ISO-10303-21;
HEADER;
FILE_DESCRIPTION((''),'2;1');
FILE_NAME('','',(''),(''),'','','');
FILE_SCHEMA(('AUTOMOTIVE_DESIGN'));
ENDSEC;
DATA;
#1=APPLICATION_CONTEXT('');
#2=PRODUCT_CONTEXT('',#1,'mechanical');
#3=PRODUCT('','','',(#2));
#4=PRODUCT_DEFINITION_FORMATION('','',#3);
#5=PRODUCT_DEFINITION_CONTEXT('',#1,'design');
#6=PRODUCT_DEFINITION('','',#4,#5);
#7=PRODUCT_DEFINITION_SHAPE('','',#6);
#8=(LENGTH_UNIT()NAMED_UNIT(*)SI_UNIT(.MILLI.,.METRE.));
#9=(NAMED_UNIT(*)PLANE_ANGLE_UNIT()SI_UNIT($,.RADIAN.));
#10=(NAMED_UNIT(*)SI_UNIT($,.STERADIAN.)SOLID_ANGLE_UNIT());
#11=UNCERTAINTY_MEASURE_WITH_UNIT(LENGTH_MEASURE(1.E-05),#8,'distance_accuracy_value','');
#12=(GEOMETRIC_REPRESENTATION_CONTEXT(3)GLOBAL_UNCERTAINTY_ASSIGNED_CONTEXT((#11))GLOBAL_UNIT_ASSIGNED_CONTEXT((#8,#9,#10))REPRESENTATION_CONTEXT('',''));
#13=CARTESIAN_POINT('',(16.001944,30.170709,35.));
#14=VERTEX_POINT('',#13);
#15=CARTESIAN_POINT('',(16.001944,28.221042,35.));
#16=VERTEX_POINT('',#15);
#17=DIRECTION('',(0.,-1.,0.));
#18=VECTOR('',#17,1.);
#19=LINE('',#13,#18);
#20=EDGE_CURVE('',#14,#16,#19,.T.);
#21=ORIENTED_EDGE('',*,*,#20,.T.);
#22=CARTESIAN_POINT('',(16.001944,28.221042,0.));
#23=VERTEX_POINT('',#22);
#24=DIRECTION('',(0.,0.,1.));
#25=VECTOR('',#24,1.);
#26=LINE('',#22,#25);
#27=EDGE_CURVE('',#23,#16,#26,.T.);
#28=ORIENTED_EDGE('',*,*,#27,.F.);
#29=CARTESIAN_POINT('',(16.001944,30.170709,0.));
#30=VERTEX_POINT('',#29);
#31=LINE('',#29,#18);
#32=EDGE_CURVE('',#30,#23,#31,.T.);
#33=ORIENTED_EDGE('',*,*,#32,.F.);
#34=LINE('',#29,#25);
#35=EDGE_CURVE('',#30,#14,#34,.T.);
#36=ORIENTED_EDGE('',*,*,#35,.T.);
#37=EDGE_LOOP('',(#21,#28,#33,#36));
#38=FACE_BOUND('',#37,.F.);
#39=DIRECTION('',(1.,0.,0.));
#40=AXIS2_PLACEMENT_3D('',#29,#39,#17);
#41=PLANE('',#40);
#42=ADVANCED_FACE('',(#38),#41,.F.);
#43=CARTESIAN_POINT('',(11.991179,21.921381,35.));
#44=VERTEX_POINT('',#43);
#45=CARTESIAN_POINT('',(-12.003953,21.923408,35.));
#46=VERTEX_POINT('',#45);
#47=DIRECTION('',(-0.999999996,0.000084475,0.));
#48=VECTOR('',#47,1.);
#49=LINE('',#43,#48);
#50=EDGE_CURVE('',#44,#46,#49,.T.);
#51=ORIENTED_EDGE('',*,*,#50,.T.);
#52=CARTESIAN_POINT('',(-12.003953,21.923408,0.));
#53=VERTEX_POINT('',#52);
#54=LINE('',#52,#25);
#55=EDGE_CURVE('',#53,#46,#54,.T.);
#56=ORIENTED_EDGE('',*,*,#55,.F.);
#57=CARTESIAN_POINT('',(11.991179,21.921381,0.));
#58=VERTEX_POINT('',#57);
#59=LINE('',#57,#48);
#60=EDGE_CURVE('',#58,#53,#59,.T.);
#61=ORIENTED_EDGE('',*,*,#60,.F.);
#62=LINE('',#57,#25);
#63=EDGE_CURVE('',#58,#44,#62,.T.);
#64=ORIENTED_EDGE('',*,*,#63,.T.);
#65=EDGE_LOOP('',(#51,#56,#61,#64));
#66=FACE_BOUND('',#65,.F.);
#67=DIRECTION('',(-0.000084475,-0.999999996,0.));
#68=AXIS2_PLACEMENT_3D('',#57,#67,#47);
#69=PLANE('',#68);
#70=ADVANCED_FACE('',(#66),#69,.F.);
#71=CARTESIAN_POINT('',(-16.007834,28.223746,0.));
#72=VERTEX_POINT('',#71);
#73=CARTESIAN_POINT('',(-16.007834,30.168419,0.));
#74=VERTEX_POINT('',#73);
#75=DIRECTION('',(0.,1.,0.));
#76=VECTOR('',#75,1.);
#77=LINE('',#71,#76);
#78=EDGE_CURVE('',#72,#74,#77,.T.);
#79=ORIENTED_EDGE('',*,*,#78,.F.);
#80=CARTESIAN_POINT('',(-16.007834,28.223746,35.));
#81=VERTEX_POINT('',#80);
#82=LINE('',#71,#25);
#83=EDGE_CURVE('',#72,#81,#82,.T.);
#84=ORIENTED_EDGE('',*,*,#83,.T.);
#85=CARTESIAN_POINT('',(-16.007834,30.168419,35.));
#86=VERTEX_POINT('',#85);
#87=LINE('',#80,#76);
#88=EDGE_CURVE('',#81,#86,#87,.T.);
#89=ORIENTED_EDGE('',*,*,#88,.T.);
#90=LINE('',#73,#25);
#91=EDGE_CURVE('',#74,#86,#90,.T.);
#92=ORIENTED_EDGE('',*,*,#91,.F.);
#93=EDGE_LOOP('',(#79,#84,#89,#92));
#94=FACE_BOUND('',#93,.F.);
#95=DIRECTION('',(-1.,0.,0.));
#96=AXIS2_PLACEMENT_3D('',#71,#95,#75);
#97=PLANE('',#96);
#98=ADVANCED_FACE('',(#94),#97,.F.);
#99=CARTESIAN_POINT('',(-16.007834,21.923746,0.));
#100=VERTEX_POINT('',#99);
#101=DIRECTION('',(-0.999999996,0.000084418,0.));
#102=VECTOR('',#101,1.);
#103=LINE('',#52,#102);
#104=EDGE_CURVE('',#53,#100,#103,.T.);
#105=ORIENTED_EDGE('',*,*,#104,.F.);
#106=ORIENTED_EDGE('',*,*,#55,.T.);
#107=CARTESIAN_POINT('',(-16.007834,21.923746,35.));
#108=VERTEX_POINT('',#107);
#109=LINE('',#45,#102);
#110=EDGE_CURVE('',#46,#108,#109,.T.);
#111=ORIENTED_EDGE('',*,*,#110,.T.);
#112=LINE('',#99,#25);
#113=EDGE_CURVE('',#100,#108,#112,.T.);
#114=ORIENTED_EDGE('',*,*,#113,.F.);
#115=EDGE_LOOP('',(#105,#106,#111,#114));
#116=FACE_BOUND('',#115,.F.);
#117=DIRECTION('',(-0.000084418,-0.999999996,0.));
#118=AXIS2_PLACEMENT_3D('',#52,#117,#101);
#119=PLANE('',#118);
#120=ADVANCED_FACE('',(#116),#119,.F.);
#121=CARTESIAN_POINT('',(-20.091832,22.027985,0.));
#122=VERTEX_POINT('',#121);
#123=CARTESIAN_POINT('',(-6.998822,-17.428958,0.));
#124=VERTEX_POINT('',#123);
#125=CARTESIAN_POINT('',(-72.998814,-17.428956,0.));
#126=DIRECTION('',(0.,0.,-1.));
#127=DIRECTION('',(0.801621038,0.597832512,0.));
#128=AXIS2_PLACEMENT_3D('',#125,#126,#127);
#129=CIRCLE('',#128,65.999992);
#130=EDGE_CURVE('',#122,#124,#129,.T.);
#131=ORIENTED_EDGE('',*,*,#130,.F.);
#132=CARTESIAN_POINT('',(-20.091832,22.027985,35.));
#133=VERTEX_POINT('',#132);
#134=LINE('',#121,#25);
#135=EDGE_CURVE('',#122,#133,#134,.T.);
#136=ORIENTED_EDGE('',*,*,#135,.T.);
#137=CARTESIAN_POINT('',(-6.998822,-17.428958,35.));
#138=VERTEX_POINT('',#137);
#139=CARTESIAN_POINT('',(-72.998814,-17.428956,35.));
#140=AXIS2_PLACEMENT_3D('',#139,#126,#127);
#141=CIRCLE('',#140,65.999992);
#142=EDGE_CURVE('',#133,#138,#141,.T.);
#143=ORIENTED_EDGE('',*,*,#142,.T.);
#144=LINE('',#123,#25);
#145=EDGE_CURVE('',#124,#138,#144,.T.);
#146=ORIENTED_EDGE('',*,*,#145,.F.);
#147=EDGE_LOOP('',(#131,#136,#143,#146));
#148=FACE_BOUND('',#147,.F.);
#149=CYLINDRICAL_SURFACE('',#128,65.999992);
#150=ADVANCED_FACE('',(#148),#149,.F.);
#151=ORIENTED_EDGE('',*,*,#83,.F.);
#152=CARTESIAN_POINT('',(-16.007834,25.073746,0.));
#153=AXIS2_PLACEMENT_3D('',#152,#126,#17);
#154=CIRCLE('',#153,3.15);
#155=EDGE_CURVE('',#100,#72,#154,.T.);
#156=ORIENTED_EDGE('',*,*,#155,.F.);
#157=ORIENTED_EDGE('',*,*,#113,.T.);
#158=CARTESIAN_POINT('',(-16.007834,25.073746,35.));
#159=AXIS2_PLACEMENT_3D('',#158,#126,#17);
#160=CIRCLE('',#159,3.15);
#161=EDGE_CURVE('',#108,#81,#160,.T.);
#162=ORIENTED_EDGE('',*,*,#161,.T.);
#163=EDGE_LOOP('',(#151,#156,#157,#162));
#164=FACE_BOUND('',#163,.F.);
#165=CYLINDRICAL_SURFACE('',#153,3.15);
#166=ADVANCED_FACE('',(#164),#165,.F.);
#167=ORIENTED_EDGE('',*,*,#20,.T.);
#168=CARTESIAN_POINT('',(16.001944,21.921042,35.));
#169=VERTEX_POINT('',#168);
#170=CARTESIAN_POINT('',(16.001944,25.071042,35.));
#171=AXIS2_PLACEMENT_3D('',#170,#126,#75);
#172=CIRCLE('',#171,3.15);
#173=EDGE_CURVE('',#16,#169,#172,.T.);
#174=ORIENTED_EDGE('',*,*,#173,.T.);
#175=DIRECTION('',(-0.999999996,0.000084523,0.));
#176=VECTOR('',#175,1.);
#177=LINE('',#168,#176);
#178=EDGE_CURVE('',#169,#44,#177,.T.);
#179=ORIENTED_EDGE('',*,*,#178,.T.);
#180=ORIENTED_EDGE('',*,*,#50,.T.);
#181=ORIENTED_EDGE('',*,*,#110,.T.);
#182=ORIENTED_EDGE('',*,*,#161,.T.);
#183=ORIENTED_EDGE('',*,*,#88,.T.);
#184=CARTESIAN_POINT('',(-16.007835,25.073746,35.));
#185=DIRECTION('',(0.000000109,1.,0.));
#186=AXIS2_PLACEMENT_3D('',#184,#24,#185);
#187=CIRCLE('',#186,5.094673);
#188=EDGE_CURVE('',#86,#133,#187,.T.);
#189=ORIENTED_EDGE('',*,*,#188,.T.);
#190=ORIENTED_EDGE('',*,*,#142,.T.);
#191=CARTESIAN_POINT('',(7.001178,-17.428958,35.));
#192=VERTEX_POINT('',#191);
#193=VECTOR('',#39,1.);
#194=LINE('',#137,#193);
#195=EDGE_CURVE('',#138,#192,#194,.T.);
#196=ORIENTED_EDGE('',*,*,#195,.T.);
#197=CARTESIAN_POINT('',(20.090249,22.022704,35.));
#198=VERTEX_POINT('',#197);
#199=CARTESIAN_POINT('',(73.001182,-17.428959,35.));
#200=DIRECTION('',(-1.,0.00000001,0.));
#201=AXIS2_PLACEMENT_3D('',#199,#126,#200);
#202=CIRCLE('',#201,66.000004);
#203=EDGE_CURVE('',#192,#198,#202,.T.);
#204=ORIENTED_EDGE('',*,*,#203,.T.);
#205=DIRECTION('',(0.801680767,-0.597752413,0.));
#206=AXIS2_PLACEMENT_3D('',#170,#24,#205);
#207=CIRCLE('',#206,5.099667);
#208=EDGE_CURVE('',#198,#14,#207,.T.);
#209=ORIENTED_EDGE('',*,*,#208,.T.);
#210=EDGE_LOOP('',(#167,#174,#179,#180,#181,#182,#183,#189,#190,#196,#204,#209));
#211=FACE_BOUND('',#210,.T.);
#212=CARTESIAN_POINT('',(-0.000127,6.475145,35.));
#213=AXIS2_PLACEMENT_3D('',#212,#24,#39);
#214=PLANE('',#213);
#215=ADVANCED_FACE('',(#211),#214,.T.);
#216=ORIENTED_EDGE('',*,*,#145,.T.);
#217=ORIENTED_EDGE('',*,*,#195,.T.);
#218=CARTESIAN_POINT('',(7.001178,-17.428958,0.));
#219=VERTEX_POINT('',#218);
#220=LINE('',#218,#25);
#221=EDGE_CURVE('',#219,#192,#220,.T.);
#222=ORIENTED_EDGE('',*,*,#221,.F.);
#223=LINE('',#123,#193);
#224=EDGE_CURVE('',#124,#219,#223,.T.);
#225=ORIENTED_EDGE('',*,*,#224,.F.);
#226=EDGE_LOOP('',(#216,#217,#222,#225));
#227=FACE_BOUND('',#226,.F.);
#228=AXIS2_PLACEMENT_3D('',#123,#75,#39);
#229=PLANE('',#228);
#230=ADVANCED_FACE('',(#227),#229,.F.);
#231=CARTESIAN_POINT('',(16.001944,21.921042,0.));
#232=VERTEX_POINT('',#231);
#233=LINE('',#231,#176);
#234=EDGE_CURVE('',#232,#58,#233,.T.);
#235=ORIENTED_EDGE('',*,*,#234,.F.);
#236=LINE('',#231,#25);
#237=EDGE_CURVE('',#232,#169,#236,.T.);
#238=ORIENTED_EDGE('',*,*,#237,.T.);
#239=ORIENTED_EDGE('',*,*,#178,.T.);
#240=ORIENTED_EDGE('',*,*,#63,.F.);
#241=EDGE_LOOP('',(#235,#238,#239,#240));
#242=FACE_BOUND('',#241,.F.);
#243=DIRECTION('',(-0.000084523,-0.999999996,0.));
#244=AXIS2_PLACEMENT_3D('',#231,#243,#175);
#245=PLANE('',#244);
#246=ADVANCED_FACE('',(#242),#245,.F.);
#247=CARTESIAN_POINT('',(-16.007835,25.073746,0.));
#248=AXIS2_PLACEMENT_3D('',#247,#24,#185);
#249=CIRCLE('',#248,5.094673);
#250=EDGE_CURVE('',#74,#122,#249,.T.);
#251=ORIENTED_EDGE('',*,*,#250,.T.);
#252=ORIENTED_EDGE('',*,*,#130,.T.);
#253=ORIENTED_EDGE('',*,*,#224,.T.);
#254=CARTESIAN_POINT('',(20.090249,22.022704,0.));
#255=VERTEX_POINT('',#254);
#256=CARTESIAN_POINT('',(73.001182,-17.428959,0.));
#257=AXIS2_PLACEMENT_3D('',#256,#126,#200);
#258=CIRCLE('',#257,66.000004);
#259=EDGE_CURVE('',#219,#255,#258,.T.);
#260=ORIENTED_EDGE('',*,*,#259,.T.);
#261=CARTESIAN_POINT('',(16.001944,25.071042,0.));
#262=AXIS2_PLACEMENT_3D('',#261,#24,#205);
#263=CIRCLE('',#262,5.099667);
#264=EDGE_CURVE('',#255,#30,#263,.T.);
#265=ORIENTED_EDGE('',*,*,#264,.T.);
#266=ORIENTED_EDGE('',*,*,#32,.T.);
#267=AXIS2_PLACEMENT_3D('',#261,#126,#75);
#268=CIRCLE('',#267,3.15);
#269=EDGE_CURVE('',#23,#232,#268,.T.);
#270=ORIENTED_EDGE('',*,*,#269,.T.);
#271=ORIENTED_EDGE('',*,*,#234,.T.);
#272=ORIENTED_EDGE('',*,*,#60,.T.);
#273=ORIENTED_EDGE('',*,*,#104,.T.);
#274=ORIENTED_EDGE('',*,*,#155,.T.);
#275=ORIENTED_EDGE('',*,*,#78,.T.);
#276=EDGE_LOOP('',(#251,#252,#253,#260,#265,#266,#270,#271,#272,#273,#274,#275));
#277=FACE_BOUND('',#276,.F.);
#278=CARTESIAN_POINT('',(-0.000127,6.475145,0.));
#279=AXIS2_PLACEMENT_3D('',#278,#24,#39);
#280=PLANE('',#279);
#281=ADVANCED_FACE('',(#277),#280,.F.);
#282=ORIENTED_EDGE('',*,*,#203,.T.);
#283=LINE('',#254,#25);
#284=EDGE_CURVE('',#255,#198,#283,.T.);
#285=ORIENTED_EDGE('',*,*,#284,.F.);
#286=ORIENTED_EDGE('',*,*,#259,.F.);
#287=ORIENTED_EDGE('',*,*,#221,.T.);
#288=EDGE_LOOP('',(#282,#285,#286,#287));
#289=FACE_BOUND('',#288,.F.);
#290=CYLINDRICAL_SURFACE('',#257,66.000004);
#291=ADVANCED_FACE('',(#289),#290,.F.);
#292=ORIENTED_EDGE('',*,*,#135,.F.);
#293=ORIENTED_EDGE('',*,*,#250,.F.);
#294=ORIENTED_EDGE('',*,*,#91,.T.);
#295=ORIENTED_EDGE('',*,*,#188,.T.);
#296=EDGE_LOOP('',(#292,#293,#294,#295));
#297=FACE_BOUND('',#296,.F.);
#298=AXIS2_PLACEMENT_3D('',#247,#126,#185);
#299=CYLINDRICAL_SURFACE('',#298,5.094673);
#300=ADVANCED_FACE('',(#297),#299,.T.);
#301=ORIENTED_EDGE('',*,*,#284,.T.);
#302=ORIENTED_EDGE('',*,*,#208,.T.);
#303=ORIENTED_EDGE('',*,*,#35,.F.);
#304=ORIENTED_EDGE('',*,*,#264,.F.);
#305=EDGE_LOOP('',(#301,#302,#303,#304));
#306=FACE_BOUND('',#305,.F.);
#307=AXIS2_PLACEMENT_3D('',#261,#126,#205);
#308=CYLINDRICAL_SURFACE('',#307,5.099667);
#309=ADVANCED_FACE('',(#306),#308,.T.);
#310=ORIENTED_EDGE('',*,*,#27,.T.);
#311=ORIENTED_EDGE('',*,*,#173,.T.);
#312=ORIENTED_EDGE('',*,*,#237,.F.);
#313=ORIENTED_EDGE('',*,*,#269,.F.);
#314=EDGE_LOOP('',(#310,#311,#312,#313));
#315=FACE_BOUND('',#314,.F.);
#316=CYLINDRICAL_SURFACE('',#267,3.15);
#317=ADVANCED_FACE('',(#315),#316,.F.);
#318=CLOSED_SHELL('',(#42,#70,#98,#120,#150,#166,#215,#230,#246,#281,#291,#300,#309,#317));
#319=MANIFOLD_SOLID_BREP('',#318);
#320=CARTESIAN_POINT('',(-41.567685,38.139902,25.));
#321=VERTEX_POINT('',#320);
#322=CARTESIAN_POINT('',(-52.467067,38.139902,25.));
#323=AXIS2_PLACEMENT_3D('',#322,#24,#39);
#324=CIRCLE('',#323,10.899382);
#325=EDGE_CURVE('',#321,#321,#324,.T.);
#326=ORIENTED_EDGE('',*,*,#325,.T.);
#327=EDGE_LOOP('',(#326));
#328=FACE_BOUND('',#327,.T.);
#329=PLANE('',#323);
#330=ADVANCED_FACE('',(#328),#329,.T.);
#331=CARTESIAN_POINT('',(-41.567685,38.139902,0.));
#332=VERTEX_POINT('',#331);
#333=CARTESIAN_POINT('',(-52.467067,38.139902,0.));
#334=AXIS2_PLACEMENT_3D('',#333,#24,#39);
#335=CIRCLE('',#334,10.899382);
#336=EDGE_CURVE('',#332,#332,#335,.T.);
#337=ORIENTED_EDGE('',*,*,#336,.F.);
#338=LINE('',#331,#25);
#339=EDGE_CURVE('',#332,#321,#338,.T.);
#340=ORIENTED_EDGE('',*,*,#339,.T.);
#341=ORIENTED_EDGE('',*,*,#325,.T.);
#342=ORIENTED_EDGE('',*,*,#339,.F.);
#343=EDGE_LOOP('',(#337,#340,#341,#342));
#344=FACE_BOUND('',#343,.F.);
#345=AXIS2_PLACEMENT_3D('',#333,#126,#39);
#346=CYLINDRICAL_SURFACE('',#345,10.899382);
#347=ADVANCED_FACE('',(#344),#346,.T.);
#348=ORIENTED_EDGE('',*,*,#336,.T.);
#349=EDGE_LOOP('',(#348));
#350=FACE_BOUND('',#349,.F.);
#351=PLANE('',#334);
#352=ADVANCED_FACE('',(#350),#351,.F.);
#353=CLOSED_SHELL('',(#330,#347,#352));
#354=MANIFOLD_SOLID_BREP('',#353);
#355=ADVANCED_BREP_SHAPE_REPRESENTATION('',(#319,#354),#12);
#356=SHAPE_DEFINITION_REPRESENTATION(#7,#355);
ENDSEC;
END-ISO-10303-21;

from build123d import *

# Parameters (mm, degrees)
F1_DEPTH = 35
F2_R     = 10.899382
F3_DEPTH = 25


with BuildPart() as f1:
    # F0 (on Top) → F1 (new body)
    with BuildSketch(Plane.XY):
        with BuildLine():
            Line((-6.998822, -17.428958), (0.001178, -17.428958))
            Line((0.001178, -17.428958), (7.001178, -17.428958))
            ThreePointArc((7.001178, -17.428958), (10.358855, 3.354193), (20.090249, 22.022704))
            ThreePointArc((20.090249, 22.022704), (16.065738, 19.971774), (11.991179, 21.921381))
            Line((11.991179, 21.921381), (-12.003953, 21.923408))
            ThreePointArc((-12.003953, 21.923408), (-16.073704, 19.979499), (-20.091832, 22.027985))
            ThreePointArc((-20.091832, 22.027985), (-10.357536, 3.357319), (-6.998822, -17.428958))
        make_face()
        with BuildLine():
            ThreePointArc((-16.007834, 30.168419), (-20.561561, 27.358318), (-20.091832, 22.027985))
            ThreePointArc((-20.091832, 22.027985), (-16.073704, 19.979499), (-12.003953, 21.923408))
            Line((-12.003953, 21.923408), (-16.007834, 21.923746))
            ThreePointArc((-16.007834, 21.923746), (-19.157834, 25.073746), (-16.007834, 28.223746))
            Line((-16.007834, 28.223746), (-16.007834, 30.168419))
        make_face()
        with BuildLine():
            ThreePointArc((11.991179, 21.921381), (16.065738, 19.971774), (20.090249, 22.022704))
            ThreePointArc((20.090249, 22.022704), (20.56002, 27.358081), (16.001944, 30.170709))
            Line((16.001944, 30.170709), (16.001944, 28.221042))
            ThreePointArc((16.001944, 28.221042), (19.151944, 25.071042), (16.001944, 21.921042))
            Line((16.001944, 21.921042), (11.991179, 21.921381))
        make_face()
    extrude(amount=F1_DEPTH)


with BuildPart() as f3:
    # F2 (on Top) → F3 (new body)
    with BuildSketch(Plane.XY):
        with Locations((-52.467067, 38.139902)):
            Circle(F2_R)
    extrude(amount=F3_DEPTH)


solid = Compound([f1.part, f3.part])
